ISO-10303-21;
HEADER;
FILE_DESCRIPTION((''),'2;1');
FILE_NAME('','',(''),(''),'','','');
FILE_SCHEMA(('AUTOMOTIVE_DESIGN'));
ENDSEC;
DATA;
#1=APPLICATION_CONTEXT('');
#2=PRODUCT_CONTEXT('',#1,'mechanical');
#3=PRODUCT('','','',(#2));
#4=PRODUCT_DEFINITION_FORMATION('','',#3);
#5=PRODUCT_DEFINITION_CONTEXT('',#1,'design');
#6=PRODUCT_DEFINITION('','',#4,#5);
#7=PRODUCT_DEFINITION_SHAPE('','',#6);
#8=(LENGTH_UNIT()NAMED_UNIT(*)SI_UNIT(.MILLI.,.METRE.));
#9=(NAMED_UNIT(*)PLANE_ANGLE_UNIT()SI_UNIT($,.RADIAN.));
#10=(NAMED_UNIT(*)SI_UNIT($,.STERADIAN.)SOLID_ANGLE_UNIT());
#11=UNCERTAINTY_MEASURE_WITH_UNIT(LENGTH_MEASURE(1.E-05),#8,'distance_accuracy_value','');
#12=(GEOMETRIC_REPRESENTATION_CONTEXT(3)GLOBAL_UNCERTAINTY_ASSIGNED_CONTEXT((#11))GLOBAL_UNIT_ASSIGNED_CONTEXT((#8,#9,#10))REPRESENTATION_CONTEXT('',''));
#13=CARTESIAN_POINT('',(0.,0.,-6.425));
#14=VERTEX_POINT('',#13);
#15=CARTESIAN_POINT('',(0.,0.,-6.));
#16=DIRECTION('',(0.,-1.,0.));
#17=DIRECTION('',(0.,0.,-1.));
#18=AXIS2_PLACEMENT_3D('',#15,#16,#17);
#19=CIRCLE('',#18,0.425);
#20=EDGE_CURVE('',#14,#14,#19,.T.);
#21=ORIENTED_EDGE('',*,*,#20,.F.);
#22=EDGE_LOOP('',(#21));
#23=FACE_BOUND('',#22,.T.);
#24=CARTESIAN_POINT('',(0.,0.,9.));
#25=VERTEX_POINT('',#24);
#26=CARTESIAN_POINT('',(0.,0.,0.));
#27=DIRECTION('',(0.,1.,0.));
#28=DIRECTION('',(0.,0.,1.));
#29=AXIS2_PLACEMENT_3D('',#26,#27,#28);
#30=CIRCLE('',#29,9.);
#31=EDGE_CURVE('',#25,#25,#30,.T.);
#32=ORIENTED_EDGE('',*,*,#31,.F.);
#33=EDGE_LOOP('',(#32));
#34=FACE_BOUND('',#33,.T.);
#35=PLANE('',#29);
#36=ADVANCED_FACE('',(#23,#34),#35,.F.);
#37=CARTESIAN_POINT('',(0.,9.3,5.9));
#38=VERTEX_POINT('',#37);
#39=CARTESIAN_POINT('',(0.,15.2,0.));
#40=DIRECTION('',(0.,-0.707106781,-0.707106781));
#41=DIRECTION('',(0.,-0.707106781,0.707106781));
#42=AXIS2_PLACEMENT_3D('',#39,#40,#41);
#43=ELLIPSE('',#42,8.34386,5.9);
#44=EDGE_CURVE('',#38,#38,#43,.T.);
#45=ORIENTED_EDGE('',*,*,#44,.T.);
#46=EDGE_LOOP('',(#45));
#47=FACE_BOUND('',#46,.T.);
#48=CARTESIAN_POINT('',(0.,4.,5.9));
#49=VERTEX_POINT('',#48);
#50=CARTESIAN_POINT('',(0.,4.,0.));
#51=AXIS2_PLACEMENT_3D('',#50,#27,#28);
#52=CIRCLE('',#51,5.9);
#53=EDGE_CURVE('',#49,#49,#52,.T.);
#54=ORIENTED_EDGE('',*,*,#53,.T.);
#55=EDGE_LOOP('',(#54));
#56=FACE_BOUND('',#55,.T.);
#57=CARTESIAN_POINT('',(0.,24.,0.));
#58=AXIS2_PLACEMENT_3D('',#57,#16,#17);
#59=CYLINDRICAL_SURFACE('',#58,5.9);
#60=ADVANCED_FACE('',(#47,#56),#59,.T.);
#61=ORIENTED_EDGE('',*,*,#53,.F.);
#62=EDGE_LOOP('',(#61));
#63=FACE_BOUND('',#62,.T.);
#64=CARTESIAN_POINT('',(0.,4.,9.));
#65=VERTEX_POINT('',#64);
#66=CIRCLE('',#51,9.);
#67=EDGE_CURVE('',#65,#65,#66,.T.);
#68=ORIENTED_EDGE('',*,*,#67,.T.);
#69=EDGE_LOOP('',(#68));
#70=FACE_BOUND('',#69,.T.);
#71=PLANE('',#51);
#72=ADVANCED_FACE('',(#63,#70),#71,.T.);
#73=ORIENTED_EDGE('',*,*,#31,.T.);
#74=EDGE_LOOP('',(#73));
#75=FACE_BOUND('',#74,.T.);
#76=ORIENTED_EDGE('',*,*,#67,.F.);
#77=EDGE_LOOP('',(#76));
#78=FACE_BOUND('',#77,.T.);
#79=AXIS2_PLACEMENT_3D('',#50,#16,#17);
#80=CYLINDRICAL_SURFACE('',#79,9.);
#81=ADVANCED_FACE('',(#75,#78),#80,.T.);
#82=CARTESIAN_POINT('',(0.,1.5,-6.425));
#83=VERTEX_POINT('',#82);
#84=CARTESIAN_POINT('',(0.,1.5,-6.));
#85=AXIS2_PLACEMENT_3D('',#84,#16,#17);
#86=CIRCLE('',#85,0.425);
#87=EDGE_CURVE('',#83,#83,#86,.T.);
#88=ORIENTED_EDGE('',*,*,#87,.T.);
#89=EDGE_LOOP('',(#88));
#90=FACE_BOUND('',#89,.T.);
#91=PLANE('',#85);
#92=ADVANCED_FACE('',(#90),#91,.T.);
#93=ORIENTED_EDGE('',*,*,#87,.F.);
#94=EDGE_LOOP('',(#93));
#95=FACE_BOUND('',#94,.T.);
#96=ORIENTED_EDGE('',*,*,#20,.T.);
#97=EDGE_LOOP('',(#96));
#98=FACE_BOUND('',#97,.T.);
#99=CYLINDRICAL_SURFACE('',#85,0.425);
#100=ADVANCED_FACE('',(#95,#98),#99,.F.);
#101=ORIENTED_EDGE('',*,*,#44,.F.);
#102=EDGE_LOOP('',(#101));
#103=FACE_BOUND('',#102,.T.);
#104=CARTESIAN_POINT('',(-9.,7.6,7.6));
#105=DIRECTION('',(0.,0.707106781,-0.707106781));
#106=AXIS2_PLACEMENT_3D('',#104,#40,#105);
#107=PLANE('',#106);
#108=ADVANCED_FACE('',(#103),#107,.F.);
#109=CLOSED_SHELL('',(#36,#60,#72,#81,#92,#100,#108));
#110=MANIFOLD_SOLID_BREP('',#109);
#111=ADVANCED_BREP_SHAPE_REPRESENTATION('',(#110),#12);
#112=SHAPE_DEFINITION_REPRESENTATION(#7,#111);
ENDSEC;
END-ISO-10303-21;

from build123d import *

# Parameters (mm, degrees)
SKETCH1_R               = 9
BOSS_EXTRUDE1_DEPTH     = 4
SKETCH2_R               = 5.9
BOSS_EXTRUDE2_DEPTH     = 20
CUT_EXTRUDE1_DEPTH      = 28.166155414
CUT_EXTRUDE1_DEPTH_BACK = 28.166155414
SKETCH4_R               = 0.425
CUT_EXTRUDE2_DEPTH      = 1.5


with BuildPart() as part:
    # Sketch1 → Boss-Extrude1 (new body)
    with BuildSketch(Plane(origin=(0, 0, 0), x_dir=(1, 0, 0), z_dir=(0, 1, 0))):
        with Locations(Location((0, 0, 0), (0, 0, 270))):
            Circle(SKETCH1_R)
    extrude(amount=BOSS_EXTRUDE1_DEPTH)

    # Sketch2 → Boss-Extrude2 (add)
    with BuildSketch(Plane(origin=(0, 4, 0), x_dir=(1, 0, 0), z_dir=(0, 1, 0))):
        with Locations(Location((0, 0, 0), (0, 0, 270))):
            Circle(SKETCH2_R)
    extrude(amount=BOSS_EXTRUDE2_DEPTH)

    # Sketch3 → Cut-Extrude1 (cut, two sides: drawn at the far end of the back side and taken through both)
    with BuildSketch(Plane(origin=(0, 0, 0), x_dir=(0, 0, -1), z_dir=(1, 0, 0)).offset(-CUT_EXTRUDE1_DEPTH_BACK)):
        Polygon((-6.28, 8.92), (6.28, 21.48), (6.28, 28.771900514), (-6.28, 28.771900514), align=None)
    extrude(amount=CUT_EXTRUDE1_DEPTH + CUT_EXTRUDE1_DEPTH_BACK, mode=Mode.SUBTRACT)

    # Sketch4 → Cut-Extrude2 (cut)
    with BuildSketch(Plane.XZ):
        with Locations(Location((0, -6, 0), (0, 0, 270))):
            Circle(SKETCH4_R)
    extrude(amount=-CUT_EXTRUDE2_DEPTH, mode=Mode.SUBTRACT)


solid = part.part
